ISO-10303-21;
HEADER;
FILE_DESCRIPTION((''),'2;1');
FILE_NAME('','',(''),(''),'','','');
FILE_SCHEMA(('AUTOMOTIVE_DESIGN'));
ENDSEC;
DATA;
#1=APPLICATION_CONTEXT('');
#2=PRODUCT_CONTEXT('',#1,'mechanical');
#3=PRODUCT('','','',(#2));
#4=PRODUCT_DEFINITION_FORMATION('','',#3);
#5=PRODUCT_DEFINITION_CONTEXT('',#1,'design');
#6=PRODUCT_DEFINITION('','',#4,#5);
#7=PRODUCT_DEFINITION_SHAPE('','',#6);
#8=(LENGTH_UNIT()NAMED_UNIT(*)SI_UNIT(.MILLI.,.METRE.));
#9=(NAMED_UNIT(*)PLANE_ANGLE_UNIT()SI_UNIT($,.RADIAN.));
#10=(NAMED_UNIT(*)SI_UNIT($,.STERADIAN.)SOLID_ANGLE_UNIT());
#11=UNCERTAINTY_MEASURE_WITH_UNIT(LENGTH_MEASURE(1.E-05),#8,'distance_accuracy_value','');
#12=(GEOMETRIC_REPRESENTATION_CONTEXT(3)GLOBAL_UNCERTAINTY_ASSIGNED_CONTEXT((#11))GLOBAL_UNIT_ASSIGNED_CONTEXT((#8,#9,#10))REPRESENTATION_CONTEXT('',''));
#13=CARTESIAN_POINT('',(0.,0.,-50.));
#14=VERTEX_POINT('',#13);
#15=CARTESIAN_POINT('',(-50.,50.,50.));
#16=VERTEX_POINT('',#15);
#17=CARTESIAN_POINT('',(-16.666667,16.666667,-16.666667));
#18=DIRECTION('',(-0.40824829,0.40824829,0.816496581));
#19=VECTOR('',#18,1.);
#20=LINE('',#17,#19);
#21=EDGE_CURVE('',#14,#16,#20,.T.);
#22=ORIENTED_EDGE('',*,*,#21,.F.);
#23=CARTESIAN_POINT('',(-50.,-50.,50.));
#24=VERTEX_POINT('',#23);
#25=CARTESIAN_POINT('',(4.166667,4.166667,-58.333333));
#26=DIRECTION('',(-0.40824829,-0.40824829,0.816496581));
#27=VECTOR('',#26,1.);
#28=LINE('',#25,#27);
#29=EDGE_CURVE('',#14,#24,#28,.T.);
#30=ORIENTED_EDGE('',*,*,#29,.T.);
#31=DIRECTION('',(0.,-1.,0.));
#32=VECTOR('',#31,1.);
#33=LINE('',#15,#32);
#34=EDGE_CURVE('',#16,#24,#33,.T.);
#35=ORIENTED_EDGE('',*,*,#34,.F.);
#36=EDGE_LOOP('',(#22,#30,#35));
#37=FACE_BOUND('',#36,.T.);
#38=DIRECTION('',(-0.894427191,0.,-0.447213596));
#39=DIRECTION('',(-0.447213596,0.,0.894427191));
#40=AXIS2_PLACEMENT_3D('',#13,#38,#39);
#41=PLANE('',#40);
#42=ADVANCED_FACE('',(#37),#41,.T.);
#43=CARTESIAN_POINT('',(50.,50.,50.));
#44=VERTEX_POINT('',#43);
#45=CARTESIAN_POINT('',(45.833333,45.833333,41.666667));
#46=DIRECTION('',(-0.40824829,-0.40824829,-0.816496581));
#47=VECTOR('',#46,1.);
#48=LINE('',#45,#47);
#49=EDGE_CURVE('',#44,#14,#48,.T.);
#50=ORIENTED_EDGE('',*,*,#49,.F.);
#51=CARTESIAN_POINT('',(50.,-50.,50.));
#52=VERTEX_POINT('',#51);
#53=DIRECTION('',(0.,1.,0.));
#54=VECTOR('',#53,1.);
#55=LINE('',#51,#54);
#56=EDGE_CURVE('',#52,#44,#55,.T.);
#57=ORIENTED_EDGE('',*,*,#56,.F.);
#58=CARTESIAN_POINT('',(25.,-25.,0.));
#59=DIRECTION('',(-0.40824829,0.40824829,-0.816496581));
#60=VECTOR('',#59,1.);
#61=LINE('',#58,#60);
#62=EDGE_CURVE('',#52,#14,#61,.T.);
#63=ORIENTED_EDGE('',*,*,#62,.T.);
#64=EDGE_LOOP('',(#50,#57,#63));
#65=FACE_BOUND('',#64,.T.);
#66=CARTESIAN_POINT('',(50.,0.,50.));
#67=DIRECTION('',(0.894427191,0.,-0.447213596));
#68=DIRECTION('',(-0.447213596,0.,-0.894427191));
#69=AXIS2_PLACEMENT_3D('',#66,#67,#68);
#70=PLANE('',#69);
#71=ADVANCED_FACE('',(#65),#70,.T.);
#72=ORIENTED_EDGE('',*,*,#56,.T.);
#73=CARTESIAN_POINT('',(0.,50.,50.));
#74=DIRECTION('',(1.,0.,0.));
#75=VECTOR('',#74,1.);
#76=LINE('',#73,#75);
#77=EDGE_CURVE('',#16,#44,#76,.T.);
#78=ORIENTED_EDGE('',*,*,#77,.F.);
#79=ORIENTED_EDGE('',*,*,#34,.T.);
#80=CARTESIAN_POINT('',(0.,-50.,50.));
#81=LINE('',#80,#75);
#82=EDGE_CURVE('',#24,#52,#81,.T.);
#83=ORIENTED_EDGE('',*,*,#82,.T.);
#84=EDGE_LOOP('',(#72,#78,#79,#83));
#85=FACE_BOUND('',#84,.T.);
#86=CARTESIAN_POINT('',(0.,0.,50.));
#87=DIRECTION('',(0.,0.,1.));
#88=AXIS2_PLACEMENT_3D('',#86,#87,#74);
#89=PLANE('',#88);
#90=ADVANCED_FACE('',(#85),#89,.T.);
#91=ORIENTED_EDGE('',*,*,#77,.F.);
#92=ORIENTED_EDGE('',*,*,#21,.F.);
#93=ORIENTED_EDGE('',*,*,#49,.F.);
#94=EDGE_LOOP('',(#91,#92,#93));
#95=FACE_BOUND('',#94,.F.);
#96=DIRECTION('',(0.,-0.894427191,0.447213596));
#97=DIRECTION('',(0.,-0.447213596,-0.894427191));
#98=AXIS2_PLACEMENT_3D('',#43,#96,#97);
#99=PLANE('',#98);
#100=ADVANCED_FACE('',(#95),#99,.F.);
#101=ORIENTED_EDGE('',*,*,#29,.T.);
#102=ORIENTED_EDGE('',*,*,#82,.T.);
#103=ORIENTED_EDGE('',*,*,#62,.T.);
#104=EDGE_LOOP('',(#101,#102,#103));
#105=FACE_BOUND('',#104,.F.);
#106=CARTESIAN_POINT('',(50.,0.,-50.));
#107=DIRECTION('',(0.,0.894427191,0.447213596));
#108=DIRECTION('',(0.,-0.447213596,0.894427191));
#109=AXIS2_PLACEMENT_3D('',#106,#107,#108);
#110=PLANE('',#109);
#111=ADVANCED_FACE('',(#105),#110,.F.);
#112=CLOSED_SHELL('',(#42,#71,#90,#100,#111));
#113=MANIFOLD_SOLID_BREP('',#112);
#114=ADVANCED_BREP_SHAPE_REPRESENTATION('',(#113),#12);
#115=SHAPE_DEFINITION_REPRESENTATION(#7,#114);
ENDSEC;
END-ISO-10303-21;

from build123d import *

# Parameters (mm, degrees)
F0_W          = 100
F0_H          = 100
F1_DEPTH      = 50
F3_DEPTH      = 100
F5_DEPTH      = 100
F5_DEPTH_BACK = 100


with BuildPart() as f1:
    # F0 (on Top) → F1 (new body, symmetric)
    with BuildSketch(Plane.XY):
        Rectangle(F0_W, F0_H)
    extrude(amount=F1_DEPTH, both=True)

    # F2 (on face) → F3 (cut, through all)
    with BuildSketch(Plane.YZ.offset(50)):
        Polygon((-50, -50), (0, -50), (-50, 50), align=None)
        Polygon((50, -50), (50, 50), (0, -50), align=None)
    extrude(amount=-F3_DEPTH, mode=Mode.SUBTRACT)

    # F4 (on Front) → F5 (cut, two sides)
    with BuildSketch(Plane.XZ) as f5_sk:
        Polygon((50, 50), (0, -50), (50, -50), align=None)
        Polygon((0, -50), (-50, 50), (-50, -50), align=None)
    extrude(amount=-F5_DEPTH, mode=Mode.SUBTRACT)
    extrude(f5_sk.sketch, amount=F5_DEPTH_BACK, mode=Mode.SUBTRACT)


solid = f1.part
